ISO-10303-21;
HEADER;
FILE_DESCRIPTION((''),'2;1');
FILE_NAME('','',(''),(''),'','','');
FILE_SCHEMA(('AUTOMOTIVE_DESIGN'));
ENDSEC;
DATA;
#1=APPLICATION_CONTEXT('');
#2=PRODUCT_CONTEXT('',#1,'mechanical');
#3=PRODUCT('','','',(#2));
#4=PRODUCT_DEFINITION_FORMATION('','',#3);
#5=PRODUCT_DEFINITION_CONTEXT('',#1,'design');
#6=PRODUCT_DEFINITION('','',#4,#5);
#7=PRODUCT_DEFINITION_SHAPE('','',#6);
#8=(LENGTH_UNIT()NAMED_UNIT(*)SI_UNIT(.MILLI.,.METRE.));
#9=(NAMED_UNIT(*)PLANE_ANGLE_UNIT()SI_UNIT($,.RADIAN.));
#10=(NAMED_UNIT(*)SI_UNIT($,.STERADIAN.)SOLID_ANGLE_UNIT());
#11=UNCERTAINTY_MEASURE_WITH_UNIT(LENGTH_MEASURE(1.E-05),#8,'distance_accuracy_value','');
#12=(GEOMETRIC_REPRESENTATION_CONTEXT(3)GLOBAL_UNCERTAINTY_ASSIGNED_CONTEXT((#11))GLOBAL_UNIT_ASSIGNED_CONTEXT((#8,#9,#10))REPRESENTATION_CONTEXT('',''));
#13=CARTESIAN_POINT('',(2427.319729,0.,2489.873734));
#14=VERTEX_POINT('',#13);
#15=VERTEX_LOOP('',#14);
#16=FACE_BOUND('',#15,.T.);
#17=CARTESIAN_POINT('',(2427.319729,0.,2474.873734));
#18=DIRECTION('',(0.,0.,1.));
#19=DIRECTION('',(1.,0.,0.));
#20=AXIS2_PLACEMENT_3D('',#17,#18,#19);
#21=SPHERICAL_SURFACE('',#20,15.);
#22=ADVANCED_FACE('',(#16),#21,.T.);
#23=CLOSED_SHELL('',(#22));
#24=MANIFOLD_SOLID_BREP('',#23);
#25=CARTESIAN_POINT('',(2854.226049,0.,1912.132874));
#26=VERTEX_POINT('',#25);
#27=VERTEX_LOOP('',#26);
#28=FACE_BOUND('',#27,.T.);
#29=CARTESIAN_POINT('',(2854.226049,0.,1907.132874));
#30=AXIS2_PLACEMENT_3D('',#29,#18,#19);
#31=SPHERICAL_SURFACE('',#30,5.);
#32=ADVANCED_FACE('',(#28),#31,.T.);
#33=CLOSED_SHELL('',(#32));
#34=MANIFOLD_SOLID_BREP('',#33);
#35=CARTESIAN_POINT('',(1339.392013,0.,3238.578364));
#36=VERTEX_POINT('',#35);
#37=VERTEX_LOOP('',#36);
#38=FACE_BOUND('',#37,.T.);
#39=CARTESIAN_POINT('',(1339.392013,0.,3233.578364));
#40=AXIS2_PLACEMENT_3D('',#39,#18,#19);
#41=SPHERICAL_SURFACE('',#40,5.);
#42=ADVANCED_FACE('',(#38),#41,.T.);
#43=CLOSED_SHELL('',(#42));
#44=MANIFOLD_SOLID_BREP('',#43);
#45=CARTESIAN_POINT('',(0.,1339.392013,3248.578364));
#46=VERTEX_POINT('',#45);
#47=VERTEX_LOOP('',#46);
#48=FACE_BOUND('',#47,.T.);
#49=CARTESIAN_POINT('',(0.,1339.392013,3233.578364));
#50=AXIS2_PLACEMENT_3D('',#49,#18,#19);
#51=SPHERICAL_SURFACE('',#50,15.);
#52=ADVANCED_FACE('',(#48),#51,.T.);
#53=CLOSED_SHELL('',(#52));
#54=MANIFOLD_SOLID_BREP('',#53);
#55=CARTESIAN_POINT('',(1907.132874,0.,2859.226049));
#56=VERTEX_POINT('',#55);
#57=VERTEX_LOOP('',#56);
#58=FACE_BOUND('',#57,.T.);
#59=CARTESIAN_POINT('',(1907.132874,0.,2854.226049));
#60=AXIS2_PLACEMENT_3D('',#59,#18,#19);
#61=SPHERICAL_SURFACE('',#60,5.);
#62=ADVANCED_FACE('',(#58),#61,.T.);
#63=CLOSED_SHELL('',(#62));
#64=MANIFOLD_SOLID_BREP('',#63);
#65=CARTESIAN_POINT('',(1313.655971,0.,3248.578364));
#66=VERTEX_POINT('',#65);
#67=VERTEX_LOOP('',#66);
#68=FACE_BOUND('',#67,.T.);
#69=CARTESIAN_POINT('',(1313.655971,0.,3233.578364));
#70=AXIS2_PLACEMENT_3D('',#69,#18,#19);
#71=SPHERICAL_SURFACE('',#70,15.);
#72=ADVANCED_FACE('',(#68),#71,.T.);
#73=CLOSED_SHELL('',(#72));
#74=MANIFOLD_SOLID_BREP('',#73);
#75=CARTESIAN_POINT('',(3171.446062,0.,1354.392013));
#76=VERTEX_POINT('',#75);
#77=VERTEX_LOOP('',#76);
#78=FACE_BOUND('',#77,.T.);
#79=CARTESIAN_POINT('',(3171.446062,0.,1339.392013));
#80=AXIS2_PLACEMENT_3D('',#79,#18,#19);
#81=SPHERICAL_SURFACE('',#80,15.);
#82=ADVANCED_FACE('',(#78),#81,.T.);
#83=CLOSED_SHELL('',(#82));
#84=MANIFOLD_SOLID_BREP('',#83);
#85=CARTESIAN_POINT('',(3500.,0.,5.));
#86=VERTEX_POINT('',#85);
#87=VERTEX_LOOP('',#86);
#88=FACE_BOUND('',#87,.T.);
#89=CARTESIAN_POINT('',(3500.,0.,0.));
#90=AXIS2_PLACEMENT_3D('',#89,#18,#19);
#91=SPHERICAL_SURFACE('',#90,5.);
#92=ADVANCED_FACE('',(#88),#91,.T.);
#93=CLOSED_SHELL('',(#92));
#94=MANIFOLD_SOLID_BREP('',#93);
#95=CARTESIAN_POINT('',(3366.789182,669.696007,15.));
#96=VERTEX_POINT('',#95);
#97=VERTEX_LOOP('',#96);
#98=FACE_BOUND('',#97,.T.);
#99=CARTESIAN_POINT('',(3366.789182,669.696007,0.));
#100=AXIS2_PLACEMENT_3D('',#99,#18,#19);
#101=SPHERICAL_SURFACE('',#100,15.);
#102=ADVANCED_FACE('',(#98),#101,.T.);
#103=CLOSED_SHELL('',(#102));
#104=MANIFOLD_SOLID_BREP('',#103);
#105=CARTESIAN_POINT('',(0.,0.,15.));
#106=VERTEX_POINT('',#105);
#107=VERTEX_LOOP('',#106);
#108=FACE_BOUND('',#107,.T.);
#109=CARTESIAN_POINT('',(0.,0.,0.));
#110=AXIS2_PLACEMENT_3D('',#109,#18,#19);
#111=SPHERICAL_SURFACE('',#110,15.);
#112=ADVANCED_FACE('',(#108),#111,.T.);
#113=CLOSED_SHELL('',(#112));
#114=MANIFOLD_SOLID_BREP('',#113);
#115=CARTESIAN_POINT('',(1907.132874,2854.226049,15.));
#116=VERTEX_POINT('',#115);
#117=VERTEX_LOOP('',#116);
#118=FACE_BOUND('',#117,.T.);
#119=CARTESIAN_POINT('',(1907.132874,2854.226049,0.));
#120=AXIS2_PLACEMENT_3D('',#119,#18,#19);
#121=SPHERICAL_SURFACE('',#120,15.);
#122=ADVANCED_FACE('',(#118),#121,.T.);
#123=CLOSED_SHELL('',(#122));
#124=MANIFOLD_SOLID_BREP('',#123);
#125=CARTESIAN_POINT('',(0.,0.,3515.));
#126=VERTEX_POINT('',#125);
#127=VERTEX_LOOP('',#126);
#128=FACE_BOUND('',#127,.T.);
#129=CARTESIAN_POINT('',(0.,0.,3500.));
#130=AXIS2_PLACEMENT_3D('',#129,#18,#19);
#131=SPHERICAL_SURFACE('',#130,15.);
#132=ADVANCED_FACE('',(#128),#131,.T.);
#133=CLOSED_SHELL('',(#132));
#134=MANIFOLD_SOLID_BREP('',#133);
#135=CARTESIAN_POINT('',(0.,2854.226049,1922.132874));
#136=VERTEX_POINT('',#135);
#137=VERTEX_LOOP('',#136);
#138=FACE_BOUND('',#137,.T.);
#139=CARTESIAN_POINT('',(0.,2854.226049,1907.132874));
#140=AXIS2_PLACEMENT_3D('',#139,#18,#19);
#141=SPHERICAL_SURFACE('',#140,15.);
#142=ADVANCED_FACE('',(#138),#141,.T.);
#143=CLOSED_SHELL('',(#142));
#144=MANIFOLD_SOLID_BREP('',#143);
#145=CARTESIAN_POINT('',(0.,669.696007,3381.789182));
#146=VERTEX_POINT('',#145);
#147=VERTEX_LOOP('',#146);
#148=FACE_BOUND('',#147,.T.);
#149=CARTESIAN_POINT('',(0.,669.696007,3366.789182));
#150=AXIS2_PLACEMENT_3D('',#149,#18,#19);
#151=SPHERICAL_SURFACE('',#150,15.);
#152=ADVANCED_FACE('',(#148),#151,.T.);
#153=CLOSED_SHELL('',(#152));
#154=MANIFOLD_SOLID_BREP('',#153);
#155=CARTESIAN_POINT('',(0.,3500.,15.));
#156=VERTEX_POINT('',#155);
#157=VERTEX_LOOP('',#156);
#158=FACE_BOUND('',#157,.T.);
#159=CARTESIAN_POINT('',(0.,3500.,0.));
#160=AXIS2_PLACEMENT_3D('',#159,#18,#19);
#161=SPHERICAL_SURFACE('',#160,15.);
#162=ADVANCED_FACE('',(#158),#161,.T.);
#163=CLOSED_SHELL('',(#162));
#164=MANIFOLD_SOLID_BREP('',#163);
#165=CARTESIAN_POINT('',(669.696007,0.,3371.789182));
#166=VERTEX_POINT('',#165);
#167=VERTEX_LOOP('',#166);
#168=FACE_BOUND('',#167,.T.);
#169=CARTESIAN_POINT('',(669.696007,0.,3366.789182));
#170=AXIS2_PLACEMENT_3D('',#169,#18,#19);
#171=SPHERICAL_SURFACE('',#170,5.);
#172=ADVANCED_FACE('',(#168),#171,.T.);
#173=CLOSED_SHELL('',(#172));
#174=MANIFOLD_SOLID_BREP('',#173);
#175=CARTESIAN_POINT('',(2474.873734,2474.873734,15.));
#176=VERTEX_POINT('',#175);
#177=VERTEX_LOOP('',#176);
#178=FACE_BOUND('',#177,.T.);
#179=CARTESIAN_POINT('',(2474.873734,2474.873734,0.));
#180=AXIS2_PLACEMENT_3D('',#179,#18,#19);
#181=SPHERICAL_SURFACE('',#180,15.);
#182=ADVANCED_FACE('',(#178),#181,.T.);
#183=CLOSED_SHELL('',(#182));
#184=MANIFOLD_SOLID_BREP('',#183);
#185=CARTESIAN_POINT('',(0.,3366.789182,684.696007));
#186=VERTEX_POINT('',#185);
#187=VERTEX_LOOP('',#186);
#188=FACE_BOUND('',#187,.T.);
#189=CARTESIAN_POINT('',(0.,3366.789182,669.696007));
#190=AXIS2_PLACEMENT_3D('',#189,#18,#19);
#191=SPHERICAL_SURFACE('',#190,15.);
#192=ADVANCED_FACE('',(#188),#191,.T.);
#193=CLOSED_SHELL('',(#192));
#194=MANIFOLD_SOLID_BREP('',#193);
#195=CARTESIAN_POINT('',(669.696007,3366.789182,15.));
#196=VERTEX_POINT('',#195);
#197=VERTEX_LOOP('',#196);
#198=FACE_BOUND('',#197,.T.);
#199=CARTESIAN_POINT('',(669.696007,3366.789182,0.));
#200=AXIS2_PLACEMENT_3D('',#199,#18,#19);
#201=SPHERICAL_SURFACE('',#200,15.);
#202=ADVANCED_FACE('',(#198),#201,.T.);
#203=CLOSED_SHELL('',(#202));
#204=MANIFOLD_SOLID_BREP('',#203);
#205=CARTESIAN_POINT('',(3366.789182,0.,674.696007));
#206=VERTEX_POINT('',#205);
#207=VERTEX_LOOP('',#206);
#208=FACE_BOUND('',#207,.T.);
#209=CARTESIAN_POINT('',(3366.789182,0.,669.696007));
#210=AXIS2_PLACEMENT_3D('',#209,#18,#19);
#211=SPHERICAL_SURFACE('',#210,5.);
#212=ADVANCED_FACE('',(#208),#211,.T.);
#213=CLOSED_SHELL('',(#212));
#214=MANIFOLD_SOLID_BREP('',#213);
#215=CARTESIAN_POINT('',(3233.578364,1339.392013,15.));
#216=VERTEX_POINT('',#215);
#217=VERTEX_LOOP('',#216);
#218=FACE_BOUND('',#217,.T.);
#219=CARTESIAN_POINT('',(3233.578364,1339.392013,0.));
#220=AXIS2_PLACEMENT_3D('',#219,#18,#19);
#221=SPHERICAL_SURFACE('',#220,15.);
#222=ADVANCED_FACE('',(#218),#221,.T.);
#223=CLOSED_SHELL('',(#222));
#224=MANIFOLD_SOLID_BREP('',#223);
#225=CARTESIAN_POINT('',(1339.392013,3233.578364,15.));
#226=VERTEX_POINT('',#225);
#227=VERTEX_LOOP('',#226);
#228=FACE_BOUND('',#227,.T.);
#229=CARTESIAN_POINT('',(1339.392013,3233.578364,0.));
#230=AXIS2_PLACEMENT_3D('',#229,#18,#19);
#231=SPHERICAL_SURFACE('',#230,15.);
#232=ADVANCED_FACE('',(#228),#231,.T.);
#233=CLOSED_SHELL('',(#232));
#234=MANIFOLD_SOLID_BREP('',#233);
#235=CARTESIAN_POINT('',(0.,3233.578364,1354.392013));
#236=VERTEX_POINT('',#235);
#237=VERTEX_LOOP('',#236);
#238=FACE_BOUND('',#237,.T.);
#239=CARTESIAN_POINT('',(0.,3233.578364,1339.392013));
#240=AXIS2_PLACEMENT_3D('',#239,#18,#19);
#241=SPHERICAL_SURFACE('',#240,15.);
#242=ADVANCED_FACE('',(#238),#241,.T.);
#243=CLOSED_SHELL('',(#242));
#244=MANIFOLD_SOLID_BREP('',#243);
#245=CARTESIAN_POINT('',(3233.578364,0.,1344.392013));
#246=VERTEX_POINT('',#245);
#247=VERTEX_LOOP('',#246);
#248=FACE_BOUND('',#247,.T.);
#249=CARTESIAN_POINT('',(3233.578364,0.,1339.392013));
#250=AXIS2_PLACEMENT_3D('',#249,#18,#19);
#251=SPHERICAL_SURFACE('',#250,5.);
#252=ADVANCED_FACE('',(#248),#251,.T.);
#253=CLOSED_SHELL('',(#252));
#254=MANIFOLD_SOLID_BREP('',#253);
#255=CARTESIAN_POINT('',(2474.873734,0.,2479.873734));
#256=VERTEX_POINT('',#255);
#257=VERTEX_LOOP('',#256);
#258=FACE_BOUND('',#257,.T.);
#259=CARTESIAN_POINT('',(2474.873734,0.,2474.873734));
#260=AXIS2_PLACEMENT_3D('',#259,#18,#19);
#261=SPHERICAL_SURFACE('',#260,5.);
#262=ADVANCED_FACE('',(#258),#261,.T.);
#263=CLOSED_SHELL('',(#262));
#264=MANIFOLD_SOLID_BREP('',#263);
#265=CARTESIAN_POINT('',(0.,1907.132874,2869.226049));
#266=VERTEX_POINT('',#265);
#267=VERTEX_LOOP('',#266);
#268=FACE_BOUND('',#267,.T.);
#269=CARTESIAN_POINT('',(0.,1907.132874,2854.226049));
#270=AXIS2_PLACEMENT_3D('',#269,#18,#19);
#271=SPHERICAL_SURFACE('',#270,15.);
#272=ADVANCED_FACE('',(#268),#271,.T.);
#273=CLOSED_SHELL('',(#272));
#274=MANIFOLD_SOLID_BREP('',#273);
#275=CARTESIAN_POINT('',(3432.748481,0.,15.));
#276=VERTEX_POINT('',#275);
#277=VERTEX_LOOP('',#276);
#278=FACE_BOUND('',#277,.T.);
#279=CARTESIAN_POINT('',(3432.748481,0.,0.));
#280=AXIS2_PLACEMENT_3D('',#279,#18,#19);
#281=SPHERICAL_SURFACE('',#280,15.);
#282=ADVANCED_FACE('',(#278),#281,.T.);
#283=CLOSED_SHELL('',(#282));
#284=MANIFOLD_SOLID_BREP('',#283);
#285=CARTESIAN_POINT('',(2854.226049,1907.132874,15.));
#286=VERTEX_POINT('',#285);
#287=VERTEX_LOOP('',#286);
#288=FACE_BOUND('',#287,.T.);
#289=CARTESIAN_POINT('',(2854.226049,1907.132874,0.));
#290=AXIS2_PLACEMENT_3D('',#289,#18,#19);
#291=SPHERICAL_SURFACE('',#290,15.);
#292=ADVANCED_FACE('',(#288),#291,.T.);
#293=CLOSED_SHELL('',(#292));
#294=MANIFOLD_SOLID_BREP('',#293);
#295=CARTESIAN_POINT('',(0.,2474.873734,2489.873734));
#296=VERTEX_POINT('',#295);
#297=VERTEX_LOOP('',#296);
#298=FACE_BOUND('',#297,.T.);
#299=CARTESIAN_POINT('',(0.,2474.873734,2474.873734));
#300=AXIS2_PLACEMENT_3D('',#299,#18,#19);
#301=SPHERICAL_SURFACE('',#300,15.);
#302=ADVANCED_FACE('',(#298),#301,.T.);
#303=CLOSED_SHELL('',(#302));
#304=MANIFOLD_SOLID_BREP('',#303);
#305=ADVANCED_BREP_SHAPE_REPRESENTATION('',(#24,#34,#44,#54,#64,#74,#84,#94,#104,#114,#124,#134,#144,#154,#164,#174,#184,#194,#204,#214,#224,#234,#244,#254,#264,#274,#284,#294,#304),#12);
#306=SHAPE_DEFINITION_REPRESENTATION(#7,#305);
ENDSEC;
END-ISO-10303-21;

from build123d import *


with BuildPart() as sphere:
    # Sphere → Sphere (revolve)
    with BuildSketch(Plane(origin=(3500, 0, 0), x_dir=(1, 0, 0), z_dir=(0, -1, 0))):
        with BuildLine():
            ThreePointArc((0, -5), (5, 0), (0, 5))
            Line((0, 5), (0, -5))
        make_face()
    revolve(axis=Axis((3500, 0, 0), (0, 0, 1)))


with BuildPart() as sphere001:
    # Sphere001 → Sphere001 (revolve)
    with BuildSketch(Plane.XZ):
        with BuildLine():
            ThreePointArc((0, -15), (15, 0), (0, 15))
            Line((0, 15), (0, -15))
        make_face()
    revolve(axis=Axis((0, 0, 0), (0, 0, 1)))


with BuildPart() as sphere002:
    # Sphere002 → Sphere002 (revolve)
    with BuildSketch(Plane(origin=(0, 0, 3500), x_dir=(1, 0, 0), z_dir=(0, -1, 0))):
        with BuildLine():
            ThreePointArc((0, -15), (15, 0), (0, 15))
            Line((0, 15), (0, -15))
        make_face()
    revolve(axis=Axis((0, 0, 3500), (0, 0, 1)))


with BuildPart() as sphere003:
    # Sphere003 → Sphere003 (revolve)
    with BuildSketch(Plane(origin=(1339.392013, 0, 3233.578364), x_dir=(1, 0, 0), z_dir=(0, -1, 0))):
        with BuildLine():
            ThreePointArc((0, -5), (5, 0), (0, 5))
            Line((0, 5), (0, -5))
        make_face()
    revolve(axis=Axis((1339.392013, 0, 3233.578364), (0, 0, 1)))


with BuildPart() as sphere004:
    # Sphere004 → Sphere004 (revolve)
    with BuildSketch(Plane(origin=(2474.873734, 0, 2474.873734), x_dir=(1, 0, 0), z_dir=(0, -1, 0))):
        with BuildLine():
            ThreePointArc((0, -5), (5, 0), (0, 5))
            Line((0, 5), (0, -5))
        make_face()
    revolve(axis=Axis((2474.873734, 0, 2474.873734), (0, 0, 1)))


with BuildPart() as sphere005:
    # Sphere005 → Sphere005 (revolve)
    with BuildSketch(Plane(origin=(3233.578364, 0, 1339.392013), x_dir=(1, 0, 0), z_dir=(0, -1, 0))):
        with BuildLine():
            ThreePointArc((0, -5), (5, 0), (0, 5))
            Line((0, 5), (0, -5))
        make_face()
    revolve(axis=Axis((3233.578364, 0, 1339.392013), (0, 0, 1)))


with BuildPart() as sphere006:
    # Sphere006 → Sphere006 (revolve)
    with BuildSketch(Plane.XZ.offset(-3500)):
        with BuildLine():
            ThreePointArc((0, -15), (15, 0), (0, 15))
            Line((0, 15), (0, -15))
        make_face()
    revolve(axis=Axis((0, 3500, 0), (0, 0, 1)))


with BuildPart() as sphere007:
    # Sphere007 → Sphere007 (revolve)
    with BuildSketch(Plane(origin=(0, 3233.578364, 1339.392013), x_dir=(1, 0, 0), z_dir=(0, -1, 0))):
        with BuildLine():
            ThreePointArc((0, -15), (15, 0), (0, 15))
            Line((0, 15), (0, -15))
        make_face()
    revolve(axis=Axis((0, 3233.578364, 1339.392013), (0, 0, 1)))


with BuildPart() as sphere008:
    # Sphere008 → Sphere008 (revolve)
    with BuildSketch(Plane(origin=(0, 2474.873734, 2474.873734), x_dir=(1, 0, 0), z_dir=(0, -1, 0))):
        with BuildLine():
            ThreePointArc((0, -15), (15, 0), (0, 15))
            Line((0, 15), (0, -15))
        make_face()
    revolve(axis=Axis((0, 2474.873734, 2474.873734), (0, 0, 1)))


with BuildPart() as sphere009:
    # Sphere009 → Sphere009 (revolve)
    with BuildSketch(Plane(origin=(0, 1339.392013, 3233.578364), x_dir=(1, 0, 0), z_dir=(0, -1, 0))):
        with BuildLine():
            ThreePointArc((0, -15), (15, 0), (0, 15))
            Line((0, 15), (0, -15))
        make_face()
    revolve(axis=Axis((0, 1339.392013, 3233.578364), (0, 0, 1)))


with BuildPart() as sphere010:
    # Sphere010 → Sphere010 (revolve)
    with BuildSketch(Plane(origin=(1339.392013, 3233.578364, 0), x_dir=(1, 0, 0), z_dir=(0, -1, 0))):
        with BuildLine():
            ThreePointArc((0, -15), (15, 0), (0, 15))
            Line((0, 15), (0, -15))
        make_face()
    revolve(axis=Axis((1339.392013, 3233.578364, 0), (0, 0, 1)))


with BuildPart() as sphere011:
    # Sphere011 → Sphere011 (revolve)
    with BuildSketch(Plane(origin=(2474.873734, 2474.873734, 0), x_dir=(1, 0, 0), z_dir=(0, -1, 0))):
        with BuildLine():
            ThreePointArc((0, -15), (15, 0), (0, 15))
            Line((0, 15), (0, -15))
        make_face()
    revolve(axis=Axis((2474.873734, 2474.873734, 0), (0, 0, 1)))


with BuildPart() as sphere012:
    # Sphere012 → Sphere012 (revolve)
    with BuildSketch(Plane(origin=(3233.578364, 1339.392013, 0), x_dir=(1, 0, 0), z_dir=(0, -1, 0))):
        with BuildLine():
            ThreePointArc((0, -15), (15, 0), (0, 15))
            Line((0, 15), (0, -15))
        make_face()
    revolve(axis=Axis((3233.578364, 1339.392013, 0), (0, 0, 1)))


with BuildPart() as sphere013:
    # Sphere013 → Sphere013 (revolve)
    with BuildSketch(Plane(origin=(3366.789182, 669.696007, 0), x_dir=(1, 0, 0), z_dir=(0, -1, 0))):
        with BuildLine():
            ThreePointArc((0, -15), (15, 0), (0, 15))
            Line((0, 15), (0, -15))
        make_face()
    revolve(axis=Axis((3366.789182, 669.696007, 0), (0, 0, 1)))


with BuildPart() as sphere014:
    # Sphere014 → Sphere014 (revolve)
    with BuildSketch(Plane(origin=(2854.226049, 1907.132874, 0), x_dir=(1, 0, 0), z_dir=(0, -1, 0))):
        with BuildLine():
            ThreePointArc((0, -15), (15, 0), (0, 15))
            Line((0, 15), (0, -15))
        make_face()
    revolve(axis=Axis((2854.226049, 1907.132874, 0), (0, 0, 1)))


with BuildPart() as sphere015:
    # Sphere015 → Sphere015 (revolve)
    with BuildSketch(Plane(origin=(1907.132874, 2854.226049, 0), x_dir=(1, 0, 0), z_dir=(0, -1, 0))):
        with BuildLine():
            ThreePointArc((0, -15), (15, 0), (0, 15))
            Line((0, 15), (0, -15))
        make_face()
    revolve(axis=Axis((1907.132874, 2854.226049, 0), (0, 0, 1)))


with BuildPart() as sphere016:
    # Sphere016 → Sphere016 (revolve)
    with BuildSketch(Plane(origin=(669.696007, 3366.789182, 0), x_dir=(1, 0, 0), z_dir=(0, -1, 0))):
        with BuildLine():
            ThreePointArc((0, -15), (15, 0), (0, 15))
            Line((0, 15), (0, -15))
        make_face()
    revolve(axis=Axis((669.696007, 3366.789182, 0), (0, 0, 1)))


with BuildPart() as sphere017:
    # Sphere017 → Sphere017 (revolve)
    with BuildSketch(Plane(origin=(0, 3366.789182, 669.696007), x_dir=(1, 0, 0), z_dir=(0, -1, 0))):
        with BuildLine():
            ThreePointArc((0, -15), (15, 0), (0, 15))
            Line((0, 15), (0, -15))
        make_face()
    revolve(axis=Axis((0, 3366.789182, 669.696007), (0, 0, 1)))


with BuildPart() as sphere018:
    # Sphere018 → Sphere018 (revolve)
    with BuildSketch(Plane(origin=(0, 2854.226049, 1907.132874), x_dir=(1, 0, 0), z_dir=(0, -1, 0))):
        with BuildLine():
            ThreePointArc((0, -15), (15, 0), (0, 15))
            Line((0, 15), (0, -15))
        make_face()
    revolve(axis=Axis((0, 2854.226049, 1907.132874), (0, 0, 1)))


with BuildPart() as sphere019:
    # Sphere019 → Sphere019 (revolve)
    with BuildSketch(Plane(origin=(0, 1907.132874, 2854.226049), x_dir=(1, 0, 0), z_dir=(0, -1, 0))):
        with BuildLine():
            ThreePointArc((0, -15), (15, 0), (0, 15))
            Line((0, 15), (0, -15))
        make_face()
    revolve(axis=Axis((0, 1907.132874, 2854.226049), (0, 0, 1)))


with BuildPart() as sphere020:
    # Sphere020 → Sphere020 (revolve)
    with BuildSketch(Plane(origin=(0, 669.696007, 3366.789182), x_dir=(1, 0, 0), z_dir=(0, -1, 0))):
        with BuildLine():
            ThreePointArc((0, -15), (15, 0), (0, 15))
            Line((0, 15), (0, -15))
        make_face()
    revolve(axis=Axis((0, 669.696007, 3366.789182), (0, 0, 1)))


with BuildPart() as sphere021:
    # Sphere021 → Sphere021 (revolve)
    with BuildSketch(Plane(origin=(669.696007, 0, 3366.789182), x_dir=(1, 0, 0), z_dir=(0, -1, 0))):
        with BuildLine():
            ThreePointArc((0, -5), (5, 0), (0, 5))
            Line((0, 5), (0, -5))
        make_face()
    revolve(axis=Axis((669.696007, 0, 3366.789182), (0, 0, 1)))


with BuildPart() as sphere022:
    # Sphere022 → Sphere022 (revolve)
    with BuildSketch(Plane(origin=(1907.132874, 0, 2854.226049), x_dir=(1, 0, 0), z_dir=(0, -1, 0))):
        with BuildLine():
            ThreePointArc((0, -5), (5, 0), (0, 5))
            Line((0, 5), (0, -5))
        make_face()
    revolve(axis=Axis((1907.132874, 0, 2854.226049), (0, 0, 1)))


with BuildPart() as sphere023:
    # Sphere023 → Sphere023 (revolve)
    with BuildSketch(Plane(origin=(2854.226049, 0, 1907.132874), x_dir=(1, 0, 0), z_dir=(0, -1, 0))):
        with BuildLine():
            ThreePointArc((0, -5), (5, 0), (0, 5))
            Line((0, 5), (0, -5))
        make_face()
    revolve(axis=Axis((2854.226049, 0, 1907.132874), (0, 0, 1)))


with BuildPart() as sphere024:
    # Sphere024 → Sphere024 (revolve)
    with BuildSketch(Plane(origin=(3366.789182, 0, 669.696007), x_dir=(1, 0, 0), z_dir=(0, -1, 0))):
        with BuildLine():
            ThreePointArc((0, -5), (5, 0), (0, 5))
            Line((0, 5), (0, -5))
        make_face()
    revolve(axis=Axis((3366.789182, 0, 669.696007), (0, 0, 1)))


with BuildPart() as sphere025:
    # Sphere025 → Sphere025 (revolve)
    with BuildSketch(Plane(origin=(1313.655971, 0, 3233.578364), x_dir=(1, 0, 0), z_dir=(0, -1, 0))):
        with BuildLine():
            ThreePointArc((0, -15), (15, 0), (0, 15))
            Line((0, 15), (0, -15))
        make_face()
    revolve(axis=Axis((1313.655971, 0, 3233.578364), (0, 0, 1)))


with BuildPart() as sphere026:
    # Sphere026 → Sphere026 (revolve)
    with BuildSketch(Plane(origin=(2427.319729, 0, 2474.873734), x_dir=(1, 0, 0), z_dir=(0, -1, 0))):
        with BuildLine():
            ThreePointArc((0, -15), (15, 0), (0, 15))
            Line((0, 15), (0, -15))
        make_face()
    revolve(axis=Axis((2427.319729, 0, 2474.873734), (0, 0, 1)))


with BuildPart() as sphere027:
    # Sphere027 → Sphere027 (revolve)
    with BuildSketch(Plane(origin=(3171.446062, 0, 1339.392013), x_dir=(1, 0, 0), z_dir=(0, -1, 0))):
        with BuildLine():
            ThreePointArc((0, -15), (15, 0), (0, 15))
            Line((0, 15), (0, -15))
        make_face()
    revolve(axis=Axis((3171.446062, 0, 1339.392013), (0, 0, 1)))


with BuildPart() as sphere028:
    # Sphere028 → Sphere028 (revolve)
    with BuildSketch(Plane(origin=(3432.748481, 0, 0), x_dir=(1, 0, 0), z_dir=(0, -1, 0))):
        with BuildLine():
            ThreePointArc((0, -15), (15, 0), (0, 15))
            Line((0, 15), (0, -15))
        make_face()
    revolve(axis=Axis((3432.748481, 0, 0), (0, 0, 1)))


solid = Compound([sphere.part, sphere001.part, sphere002.part, sphere003.part, sphere004.part, sphere005.part, sphere006.part, sphere007.part, sphere008.part, sphere009.part, sphere010.part, sphere011.part, sphere012.part, sphere013.part, sphere014.part, sphere015.part, sphere016.part, sphere017.part, sphere018.part, sphere019.part, sphere020.part, sphere021.part, sphere022.part, sphere023.part, sphere024.part, sphere025.part, sphere026.part, sphere027.part, sphere028.part])
